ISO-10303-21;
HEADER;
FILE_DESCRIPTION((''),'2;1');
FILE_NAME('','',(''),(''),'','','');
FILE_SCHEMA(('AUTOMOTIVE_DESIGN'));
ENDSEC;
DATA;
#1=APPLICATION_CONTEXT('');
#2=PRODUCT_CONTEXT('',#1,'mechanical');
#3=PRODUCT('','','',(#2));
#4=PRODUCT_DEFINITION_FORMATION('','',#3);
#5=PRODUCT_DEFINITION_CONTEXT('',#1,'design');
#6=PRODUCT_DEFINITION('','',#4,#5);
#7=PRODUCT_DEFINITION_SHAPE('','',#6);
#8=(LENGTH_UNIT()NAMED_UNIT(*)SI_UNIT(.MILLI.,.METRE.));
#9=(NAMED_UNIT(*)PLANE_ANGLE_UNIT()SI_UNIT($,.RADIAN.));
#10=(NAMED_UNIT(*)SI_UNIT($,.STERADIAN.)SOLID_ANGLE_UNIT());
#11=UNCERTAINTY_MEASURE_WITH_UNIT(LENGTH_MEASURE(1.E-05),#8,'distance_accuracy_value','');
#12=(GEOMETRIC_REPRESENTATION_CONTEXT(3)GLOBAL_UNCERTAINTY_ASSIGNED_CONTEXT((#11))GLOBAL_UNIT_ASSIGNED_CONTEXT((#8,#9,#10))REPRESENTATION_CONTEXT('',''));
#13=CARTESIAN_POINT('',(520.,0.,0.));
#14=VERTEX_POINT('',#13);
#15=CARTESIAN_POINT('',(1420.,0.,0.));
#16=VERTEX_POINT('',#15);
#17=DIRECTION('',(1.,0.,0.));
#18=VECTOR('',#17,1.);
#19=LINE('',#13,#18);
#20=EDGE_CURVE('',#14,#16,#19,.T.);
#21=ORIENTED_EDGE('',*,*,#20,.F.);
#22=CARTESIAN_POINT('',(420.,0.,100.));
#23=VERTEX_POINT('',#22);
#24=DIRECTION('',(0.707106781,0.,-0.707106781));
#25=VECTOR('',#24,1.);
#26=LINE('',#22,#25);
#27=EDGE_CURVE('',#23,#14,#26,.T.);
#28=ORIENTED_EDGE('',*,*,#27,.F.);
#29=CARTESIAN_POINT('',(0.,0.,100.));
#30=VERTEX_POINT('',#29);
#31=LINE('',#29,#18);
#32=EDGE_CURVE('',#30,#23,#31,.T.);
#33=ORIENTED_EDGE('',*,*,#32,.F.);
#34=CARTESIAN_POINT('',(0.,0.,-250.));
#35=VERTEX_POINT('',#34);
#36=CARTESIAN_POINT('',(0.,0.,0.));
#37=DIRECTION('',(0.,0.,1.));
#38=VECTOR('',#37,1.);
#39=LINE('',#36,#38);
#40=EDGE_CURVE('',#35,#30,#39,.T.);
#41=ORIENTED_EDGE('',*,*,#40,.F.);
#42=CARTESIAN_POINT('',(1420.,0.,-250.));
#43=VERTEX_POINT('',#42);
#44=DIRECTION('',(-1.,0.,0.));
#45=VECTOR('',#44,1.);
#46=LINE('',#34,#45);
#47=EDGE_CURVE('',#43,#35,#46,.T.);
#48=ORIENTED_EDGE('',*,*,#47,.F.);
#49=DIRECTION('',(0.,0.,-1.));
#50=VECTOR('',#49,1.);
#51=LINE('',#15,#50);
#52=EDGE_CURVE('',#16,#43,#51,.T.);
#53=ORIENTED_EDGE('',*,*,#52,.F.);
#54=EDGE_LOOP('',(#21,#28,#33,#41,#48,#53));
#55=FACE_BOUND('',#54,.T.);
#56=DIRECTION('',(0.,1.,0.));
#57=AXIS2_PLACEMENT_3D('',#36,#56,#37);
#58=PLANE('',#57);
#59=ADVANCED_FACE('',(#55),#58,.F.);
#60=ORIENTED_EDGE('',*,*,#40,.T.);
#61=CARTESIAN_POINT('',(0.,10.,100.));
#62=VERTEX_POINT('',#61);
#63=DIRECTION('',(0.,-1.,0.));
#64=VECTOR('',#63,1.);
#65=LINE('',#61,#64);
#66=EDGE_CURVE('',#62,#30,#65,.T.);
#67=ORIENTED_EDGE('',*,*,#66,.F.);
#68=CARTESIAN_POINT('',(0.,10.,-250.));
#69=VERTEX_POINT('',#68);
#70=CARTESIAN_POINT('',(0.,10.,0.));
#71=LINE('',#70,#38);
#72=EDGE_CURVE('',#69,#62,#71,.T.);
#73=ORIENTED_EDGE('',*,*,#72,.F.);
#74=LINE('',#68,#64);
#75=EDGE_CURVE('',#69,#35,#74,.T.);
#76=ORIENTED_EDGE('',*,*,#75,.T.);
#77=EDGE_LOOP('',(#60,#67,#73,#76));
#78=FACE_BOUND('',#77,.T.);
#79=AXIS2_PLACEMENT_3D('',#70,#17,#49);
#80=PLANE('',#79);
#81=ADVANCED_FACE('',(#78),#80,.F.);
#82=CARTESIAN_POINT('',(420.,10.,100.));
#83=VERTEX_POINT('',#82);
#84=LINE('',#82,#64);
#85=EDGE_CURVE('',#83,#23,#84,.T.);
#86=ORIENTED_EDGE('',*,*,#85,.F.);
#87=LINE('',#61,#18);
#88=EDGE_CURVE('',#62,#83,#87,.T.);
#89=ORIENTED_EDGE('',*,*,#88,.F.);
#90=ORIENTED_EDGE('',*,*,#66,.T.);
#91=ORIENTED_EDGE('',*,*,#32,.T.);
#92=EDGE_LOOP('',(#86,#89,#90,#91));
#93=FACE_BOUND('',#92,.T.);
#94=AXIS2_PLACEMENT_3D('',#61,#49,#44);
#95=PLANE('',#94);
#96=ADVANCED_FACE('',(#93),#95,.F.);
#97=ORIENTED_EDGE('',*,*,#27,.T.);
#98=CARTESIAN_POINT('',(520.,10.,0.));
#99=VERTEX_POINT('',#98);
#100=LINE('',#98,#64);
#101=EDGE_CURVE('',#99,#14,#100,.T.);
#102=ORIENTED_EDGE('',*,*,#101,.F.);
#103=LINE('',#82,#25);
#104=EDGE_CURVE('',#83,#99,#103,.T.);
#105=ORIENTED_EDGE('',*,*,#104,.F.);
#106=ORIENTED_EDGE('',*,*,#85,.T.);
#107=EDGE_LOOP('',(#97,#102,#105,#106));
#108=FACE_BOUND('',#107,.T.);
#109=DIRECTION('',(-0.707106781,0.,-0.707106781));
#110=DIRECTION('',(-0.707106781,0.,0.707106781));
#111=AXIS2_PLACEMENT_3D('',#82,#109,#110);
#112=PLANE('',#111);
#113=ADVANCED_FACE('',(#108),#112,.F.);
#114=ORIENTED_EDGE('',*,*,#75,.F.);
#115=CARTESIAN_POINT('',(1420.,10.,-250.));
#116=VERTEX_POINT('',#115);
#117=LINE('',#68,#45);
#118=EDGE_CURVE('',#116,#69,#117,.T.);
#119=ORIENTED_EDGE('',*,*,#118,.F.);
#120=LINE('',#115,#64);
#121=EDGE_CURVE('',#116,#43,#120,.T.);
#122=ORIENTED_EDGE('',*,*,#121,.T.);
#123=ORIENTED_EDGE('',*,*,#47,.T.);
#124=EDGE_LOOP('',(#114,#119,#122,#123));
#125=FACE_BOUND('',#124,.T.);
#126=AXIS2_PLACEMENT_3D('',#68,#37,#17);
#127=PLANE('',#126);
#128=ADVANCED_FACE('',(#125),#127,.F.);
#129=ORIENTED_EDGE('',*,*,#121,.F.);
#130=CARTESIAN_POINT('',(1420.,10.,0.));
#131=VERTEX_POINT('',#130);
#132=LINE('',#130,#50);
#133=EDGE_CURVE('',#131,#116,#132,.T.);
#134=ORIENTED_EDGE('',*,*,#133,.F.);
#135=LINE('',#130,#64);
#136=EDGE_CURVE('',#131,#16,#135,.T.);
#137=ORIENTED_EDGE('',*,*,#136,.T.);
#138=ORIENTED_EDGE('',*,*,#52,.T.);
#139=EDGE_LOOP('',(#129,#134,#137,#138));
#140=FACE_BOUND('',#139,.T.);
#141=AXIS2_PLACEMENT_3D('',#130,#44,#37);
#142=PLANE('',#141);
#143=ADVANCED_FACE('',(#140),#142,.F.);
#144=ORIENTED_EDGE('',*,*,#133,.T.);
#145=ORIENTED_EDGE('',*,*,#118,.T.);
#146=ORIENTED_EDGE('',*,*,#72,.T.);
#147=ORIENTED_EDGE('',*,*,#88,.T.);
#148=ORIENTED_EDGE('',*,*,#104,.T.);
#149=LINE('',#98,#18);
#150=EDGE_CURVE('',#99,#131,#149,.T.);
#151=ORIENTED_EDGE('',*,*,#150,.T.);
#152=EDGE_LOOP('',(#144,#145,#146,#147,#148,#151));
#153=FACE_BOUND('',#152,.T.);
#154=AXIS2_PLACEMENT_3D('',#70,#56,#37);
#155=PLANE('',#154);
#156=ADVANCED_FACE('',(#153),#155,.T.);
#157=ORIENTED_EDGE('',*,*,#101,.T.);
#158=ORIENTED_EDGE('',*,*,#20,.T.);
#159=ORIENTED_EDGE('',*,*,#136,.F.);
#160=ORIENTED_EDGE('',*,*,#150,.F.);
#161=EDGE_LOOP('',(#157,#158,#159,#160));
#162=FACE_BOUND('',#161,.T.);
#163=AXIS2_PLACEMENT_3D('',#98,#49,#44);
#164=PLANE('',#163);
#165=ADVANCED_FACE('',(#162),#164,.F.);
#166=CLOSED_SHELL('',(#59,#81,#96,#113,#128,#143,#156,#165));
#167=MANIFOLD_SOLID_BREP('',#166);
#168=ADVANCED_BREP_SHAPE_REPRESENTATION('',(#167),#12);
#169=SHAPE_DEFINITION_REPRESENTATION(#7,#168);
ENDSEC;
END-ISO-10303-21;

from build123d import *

# Parameters (mm, degrees)
EXTRUDE_1_DEPTH = 10


with BuildPart() as part:
    # Эскиз1 → Бобышка-Вытянуть1 (new body)
    with BuildSketch(Plane(origin=(0, 0, 0), x_dir=(1, 0, 0), z_dir=(0, 1, 0))):
        Polygon((420, -100), (520, 0), (1420, 0), (1420, 250), (0, 250), (0, 0), (0, -100), align=None)
    extrude(amount=EXTRUDE_1_DEPTH)


solid = part.part
